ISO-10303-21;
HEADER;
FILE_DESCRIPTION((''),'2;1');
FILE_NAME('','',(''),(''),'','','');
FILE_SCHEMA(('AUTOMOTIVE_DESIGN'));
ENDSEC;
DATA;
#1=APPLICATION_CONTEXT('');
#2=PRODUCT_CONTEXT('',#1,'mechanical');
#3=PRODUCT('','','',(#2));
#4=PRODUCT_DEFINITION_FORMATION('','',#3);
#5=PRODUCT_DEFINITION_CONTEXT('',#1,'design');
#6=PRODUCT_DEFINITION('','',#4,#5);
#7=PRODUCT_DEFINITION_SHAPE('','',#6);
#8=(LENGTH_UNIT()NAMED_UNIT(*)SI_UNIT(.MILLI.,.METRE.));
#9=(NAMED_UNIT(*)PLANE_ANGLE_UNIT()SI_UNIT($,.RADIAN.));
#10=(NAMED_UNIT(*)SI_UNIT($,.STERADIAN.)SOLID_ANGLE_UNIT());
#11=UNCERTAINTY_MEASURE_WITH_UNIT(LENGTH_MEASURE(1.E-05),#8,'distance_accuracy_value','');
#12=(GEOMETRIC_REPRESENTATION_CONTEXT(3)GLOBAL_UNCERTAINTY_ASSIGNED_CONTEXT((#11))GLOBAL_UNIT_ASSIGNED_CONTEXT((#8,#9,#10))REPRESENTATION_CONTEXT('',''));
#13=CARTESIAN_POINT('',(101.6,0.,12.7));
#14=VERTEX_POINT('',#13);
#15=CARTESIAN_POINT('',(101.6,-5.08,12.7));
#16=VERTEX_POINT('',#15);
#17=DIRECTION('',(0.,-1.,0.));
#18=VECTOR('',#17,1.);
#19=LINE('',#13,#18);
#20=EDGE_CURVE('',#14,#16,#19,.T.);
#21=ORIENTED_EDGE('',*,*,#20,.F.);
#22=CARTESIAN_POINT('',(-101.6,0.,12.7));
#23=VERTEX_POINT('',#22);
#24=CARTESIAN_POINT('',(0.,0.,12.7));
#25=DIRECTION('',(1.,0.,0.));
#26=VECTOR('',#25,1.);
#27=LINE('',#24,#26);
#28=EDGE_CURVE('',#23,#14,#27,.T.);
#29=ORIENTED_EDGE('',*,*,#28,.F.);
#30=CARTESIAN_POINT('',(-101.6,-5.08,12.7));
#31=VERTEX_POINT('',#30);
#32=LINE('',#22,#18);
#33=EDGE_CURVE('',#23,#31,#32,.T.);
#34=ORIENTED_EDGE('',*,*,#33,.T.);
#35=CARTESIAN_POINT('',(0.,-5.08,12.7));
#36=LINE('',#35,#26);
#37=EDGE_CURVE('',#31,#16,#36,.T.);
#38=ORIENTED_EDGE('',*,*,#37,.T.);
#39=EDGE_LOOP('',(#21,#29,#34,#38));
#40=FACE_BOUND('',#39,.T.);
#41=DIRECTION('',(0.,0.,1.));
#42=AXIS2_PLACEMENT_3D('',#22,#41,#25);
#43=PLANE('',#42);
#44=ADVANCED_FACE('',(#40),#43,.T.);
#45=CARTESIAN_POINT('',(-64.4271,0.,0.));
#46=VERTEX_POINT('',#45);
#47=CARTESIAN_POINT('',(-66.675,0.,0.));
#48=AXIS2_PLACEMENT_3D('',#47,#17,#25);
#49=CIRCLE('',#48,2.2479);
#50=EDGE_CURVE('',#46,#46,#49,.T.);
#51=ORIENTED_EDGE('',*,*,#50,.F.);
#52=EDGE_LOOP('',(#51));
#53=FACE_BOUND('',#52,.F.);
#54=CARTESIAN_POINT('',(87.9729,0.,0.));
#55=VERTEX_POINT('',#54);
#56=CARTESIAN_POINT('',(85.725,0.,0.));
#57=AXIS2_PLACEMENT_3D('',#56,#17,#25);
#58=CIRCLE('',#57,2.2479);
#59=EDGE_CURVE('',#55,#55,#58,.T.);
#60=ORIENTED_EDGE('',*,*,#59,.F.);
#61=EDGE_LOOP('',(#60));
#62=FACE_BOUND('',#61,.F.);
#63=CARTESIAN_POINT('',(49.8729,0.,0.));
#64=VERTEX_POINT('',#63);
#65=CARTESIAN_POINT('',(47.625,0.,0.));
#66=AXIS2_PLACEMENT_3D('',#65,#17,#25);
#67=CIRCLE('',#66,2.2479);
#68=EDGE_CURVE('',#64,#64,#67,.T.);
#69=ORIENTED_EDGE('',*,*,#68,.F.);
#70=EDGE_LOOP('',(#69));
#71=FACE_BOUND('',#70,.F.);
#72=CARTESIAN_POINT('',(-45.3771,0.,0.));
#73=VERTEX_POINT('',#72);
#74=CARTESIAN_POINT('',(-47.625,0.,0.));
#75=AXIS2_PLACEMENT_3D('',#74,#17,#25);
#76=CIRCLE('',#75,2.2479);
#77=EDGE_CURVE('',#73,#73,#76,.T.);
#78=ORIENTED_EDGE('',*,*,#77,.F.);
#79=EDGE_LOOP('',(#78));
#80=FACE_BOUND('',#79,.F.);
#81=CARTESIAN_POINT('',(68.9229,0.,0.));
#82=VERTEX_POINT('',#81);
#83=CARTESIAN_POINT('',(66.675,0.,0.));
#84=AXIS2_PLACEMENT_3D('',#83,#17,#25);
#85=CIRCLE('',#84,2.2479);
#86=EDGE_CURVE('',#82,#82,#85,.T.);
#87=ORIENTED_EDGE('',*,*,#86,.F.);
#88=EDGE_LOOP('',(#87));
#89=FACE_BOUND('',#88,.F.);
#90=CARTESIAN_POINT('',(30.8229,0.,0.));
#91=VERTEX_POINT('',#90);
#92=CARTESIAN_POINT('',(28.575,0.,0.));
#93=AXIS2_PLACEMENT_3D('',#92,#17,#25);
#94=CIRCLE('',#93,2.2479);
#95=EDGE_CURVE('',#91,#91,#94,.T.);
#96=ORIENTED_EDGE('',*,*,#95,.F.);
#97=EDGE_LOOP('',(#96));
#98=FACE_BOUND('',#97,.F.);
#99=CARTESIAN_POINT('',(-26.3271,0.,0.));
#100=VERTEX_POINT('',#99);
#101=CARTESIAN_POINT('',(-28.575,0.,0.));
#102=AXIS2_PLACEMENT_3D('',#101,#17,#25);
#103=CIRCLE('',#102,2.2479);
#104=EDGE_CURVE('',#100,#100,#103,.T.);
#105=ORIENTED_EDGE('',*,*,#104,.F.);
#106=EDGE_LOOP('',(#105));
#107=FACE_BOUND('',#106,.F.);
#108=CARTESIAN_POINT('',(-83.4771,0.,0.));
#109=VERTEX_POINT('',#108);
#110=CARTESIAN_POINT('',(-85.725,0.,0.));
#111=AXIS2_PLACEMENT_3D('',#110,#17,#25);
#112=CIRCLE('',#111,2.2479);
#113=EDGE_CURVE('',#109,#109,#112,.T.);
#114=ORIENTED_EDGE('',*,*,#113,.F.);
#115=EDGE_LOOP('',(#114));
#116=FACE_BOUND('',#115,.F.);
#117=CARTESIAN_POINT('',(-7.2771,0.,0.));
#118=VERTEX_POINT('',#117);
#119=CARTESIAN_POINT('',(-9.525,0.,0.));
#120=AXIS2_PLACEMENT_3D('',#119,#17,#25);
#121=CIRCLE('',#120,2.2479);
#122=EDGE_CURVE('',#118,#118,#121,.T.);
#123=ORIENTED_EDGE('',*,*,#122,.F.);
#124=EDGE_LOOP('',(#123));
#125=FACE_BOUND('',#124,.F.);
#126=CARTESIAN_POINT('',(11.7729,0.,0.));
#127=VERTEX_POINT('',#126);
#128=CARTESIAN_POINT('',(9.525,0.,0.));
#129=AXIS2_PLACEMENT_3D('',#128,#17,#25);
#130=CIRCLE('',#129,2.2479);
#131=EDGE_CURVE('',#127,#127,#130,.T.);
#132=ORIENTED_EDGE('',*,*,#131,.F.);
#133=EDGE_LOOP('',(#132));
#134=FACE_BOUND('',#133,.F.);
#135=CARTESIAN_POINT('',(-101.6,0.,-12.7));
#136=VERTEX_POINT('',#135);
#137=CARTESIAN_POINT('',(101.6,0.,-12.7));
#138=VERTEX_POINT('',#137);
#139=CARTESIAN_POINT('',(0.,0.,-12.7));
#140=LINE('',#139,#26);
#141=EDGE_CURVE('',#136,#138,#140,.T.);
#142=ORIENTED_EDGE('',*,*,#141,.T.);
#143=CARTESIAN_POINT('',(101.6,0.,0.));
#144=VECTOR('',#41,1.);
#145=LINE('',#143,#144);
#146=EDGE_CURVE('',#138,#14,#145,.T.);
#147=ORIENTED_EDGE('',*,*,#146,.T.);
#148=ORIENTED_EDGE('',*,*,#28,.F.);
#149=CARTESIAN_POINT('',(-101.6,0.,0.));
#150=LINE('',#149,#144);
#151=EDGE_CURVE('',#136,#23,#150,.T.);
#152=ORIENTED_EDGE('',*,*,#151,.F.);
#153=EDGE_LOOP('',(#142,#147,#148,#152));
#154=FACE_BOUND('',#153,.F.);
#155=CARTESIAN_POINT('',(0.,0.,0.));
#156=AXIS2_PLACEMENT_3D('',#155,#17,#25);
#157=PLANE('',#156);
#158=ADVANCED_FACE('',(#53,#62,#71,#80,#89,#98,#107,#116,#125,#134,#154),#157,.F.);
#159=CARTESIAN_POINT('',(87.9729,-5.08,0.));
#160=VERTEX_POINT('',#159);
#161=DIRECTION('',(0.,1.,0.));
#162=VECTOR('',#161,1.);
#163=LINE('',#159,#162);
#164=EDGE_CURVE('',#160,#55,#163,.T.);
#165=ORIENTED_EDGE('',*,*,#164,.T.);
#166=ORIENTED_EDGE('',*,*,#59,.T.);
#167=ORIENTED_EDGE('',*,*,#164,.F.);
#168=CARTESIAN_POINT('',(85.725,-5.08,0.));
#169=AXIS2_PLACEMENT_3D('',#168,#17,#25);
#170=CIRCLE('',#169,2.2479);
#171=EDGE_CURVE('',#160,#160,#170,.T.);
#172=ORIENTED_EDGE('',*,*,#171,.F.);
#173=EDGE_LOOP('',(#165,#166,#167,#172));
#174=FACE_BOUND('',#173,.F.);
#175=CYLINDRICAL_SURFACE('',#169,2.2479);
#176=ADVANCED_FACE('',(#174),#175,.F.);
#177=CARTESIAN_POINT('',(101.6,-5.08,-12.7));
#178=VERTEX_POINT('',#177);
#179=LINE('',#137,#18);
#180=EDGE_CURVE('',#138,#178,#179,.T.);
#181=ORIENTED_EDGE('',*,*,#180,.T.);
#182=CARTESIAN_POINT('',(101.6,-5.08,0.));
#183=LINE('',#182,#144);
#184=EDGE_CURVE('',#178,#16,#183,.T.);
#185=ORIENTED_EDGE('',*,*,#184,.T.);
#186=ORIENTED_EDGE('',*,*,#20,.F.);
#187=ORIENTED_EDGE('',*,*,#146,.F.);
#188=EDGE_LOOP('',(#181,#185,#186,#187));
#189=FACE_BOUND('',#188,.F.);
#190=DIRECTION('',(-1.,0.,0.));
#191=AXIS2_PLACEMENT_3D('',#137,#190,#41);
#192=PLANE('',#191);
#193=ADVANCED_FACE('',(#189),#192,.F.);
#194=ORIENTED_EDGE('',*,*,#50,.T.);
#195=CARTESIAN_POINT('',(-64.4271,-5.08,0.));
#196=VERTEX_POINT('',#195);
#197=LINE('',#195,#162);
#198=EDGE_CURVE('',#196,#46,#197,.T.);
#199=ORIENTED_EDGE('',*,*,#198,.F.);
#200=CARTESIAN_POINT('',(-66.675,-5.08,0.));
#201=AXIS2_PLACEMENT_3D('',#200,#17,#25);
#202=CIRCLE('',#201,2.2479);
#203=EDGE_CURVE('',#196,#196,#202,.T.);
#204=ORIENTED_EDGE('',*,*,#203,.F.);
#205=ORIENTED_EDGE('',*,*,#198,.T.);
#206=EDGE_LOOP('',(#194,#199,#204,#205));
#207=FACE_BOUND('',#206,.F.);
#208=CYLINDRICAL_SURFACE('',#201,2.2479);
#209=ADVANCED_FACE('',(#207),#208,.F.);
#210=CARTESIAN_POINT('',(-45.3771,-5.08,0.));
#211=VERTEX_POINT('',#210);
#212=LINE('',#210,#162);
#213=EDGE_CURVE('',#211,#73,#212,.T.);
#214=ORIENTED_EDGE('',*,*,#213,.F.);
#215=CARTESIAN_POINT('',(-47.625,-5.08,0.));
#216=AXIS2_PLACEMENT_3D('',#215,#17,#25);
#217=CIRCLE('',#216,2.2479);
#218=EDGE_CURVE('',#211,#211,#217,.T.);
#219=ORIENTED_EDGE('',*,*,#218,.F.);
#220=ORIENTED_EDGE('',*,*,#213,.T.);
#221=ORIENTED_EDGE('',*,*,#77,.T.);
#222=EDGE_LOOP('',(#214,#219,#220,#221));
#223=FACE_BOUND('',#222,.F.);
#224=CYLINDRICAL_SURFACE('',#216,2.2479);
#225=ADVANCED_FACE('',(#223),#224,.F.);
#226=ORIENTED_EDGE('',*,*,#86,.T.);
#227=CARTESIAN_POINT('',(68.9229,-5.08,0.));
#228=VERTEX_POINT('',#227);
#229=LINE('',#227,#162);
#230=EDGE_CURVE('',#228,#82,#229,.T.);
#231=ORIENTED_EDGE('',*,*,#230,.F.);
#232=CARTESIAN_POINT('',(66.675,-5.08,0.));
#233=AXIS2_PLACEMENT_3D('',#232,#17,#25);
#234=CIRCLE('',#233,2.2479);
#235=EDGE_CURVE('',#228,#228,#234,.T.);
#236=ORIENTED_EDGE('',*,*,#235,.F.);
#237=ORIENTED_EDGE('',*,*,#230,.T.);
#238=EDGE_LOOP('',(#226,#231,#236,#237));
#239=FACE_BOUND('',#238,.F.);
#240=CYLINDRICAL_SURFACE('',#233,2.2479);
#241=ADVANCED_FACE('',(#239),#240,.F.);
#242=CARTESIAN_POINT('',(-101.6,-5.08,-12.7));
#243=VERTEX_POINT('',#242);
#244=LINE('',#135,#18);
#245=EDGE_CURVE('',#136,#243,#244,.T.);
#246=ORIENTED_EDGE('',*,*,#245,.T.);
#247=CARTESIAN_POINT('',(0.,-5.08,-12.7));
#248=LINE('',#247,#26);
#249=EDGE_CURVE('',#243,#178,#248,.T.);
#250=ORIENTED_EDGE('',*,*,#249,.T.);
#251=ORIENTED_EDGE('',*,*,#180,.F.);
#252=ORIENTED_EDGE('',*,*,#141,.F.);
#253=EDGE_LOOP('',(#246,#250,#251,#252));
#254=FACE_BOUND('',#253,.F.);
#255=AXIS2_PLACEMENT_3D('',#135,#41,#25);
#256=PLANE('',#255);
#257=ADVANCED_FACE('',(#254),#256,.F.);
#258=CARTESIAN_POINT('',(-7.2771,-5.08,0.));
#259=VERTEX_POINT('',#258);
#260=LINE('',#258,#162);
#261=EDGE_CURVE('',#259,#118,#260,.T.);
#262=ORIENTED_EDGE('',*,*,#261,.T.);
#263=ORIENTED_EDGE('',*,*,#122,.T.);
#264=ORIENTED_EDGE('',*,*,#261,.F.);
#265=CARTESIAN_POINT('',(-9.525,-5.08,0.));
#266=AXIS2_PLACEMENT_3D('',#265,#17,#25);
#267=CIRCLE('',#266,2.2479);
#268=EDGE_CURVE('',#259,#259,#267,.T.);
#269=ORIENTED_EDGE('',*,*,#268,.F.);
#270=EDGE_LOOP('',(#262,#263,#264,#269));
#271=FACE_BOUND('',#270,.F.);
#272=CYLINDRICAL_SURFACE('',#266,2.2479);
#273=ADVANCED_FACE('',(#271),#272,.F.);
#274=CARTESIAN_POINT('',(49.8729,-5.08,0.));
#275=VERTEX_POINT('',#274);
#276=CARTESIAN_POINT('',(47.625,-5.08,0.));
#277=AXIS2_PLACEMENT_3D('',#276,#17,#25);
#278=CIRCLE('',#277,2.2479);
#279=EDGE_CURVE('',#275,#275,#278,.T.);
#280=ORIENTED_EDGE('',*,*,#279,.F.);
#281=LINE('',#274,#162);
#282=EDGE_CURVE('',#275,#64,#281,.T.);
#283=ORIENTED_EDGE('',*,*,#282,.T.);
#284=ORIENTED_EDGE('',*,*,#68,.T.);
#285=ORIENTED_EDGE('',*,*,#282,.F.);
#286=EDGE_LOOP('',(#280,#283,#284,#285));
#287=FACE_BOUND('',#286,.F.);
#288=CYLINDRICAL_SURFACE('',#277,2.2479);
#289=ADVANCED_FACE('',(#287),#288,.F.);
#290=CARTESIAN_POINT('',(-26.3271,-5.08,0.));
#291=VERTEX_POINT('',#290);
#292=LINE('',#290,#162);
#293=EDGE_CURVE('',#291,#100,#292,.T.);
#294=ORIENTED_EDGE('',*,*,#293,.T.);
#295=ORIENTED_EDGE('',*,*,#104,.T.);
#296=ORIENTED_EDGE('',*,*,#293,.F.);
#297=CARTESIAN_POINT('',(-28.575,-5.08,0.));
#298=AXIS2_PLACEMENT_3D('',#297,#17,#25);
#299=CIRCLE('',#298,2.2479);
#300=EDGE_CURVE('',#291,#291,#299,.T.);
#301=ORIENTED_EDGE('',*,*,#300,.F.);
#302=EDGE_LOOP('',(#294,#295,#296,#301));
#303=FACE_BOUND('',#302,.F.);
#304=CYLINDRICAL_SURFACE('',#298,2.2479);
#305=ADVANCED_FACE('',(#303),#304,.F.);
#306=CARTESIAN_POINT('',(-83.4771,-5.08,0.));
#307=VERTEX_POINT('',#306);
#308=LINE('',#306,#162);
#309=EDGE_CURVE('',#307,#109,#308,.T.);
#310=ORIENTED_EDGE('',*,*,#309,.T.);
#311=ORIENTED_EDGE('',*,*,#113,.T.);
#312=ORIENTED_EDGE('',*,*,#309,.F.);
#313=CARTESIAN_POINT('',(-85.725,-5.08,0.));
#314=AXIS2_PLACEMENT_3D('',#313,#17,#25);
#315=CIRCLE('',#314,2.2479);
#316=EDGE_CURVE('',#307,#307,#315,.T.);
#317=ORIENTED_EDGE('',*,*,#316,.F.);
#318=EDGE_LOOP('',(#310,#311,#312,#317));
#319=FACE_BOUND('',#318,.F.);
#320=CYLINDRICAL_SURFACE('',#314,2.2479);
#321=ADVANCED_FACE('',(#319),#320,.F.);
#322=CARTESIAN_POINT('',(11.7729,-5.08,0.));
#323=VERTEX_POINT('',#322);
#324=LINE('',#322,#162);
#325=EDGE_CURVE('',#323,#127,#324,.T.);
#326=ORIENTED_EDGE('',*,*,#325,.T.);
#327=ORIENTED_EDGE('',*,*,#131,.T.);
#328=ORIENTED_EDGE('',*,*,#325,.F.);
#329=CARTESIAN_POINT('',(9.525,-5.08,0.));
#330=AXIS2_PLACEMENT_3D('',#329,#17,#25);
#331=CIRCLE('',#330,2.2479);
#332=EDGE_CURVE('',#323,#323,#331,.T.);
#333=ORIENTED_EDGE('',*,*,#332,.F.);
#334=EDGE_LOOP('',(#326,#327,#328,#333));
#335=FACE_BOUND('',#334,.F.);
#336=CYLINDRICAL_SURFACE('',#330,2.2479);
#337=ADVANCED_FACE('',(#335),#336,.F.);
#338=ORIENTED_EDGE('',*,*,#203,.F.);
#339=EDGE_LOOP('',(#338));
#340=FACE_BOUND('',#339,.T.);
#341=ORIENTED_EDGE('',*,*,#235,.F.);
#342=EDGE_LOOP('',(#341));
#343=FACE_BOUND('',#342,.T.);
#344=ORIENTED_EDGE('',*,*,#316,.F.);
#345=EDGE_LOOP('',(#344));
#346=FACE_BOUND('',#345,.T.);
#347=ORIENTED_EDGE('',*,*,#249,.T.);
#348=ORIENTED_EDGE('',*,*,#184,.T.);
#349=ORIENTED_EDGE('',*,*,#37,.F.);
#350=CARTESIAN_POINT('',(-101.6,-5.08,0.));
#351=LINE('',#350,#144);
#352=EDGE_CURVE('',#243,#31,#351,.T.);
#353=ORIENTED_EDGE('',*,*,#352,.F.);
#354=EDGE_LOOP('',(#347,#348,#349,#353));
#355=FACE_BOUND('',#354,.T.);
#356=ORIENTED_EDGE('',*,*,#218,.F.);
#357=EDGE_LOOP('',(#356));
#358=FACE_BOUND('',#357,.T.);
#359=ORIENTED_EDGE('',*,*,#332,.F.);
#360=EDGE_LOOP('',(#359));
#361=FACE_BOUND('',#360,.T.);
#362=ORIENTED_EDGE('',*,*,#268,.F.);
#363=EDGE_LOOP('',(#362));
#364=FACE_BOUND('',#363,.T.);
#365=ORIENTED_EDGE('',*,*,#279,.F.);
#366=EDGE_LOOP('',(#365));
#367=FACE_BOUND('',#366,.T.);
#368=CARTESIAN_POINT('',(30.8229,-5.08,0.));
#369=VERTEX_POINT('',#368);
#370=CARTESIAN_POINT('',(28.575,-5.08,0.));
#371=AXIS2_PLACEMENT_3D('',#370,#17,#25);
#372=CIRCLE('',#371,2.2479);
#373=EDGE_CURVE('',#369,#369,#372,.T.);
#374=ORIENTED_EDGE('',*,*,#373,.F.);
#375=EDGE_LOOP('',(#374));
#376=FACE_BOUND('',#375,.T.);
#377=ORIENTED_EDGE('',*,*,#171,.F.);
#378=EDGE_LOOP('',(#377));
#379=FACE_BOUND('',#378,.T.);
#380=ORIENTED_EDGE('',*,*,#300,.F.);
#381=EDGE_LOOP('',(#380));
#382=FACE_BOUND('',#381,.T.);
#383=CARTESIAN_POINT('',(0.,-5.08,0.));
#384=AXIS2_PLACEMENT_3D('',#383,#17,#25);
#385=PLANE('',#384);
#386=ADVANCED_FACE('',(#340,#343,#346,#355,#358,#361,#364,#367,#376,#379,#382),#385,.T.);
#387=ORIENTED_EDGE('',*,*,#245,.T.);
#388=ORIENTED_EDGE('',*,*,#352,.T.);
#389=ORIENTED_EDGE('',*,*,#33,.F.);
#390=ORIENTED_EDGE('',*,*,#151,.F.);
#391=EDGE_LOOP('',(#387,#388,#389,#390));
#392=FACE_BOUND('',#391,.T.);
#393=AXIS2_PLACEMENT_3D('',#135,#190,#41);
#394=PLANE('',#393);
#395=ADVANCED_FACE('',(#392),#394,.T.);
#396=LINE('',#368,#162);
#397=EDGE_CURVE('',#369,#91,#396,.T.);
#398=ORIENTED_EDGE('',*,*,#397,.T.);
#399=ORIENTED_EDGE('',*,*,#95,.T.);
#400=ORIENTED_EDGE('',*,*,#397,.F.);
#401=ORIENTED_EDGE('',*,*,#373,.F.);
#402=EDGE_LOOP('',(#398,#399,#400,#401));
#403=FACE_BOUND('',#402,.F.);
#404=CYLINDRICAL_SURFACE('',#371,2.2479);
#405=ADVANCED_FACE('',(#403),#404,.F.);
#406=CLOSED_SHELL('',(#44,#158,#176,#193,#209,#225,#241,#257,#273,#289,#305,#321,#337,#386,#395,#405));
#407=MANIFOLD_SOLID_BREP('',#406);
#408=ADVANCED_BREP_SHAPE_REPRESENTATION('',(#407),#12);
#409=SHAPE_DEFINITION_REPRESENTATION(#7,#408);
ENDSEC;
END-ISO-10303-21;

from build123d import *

# Parameters (mm, degrees)
F0_W     = 203.2
F0_H     = 25.4
F1_DEPTH = 5.08
F2_R     = 2.2479
F3_DEPTH = 25.4


with BuildPart() as f1:
    # F0 (on Front) → F1 (new body)
    with BuildSketch(Plane.XZ):
        Rectangle(F0_W, F0_H)
    extrude(amount=F1_DEPTH)

    # F2 (on face) → F3 (cut)
    with BuildSketch(Plane.XZ.offset(5.08)):
        with Locations((-85.725, 0)):
            Circle(F2_R)
        with Locations((-66.675, 0)):
            Circle(F2_R)
        with Locations((-47.625, 0)):
            Circle(F2_R)
        with Locations((-28.575, 0)):
            Circle(F2_R)
        with Locations((-9.525, 0)):
            Circle(F2_R)
        with Locations((9.525, 0)):
            Circle(F2_R)
        with Locations((28.575, 0)):
            Circle(F2_R)
        with Locations((47.625, 0)):
            Circle(F2_R)
        with Locations((66.675, 0)):
            Circle(F2_R)
        with Locations((85.725, 0)):
            Circle(F2_R)
    extrude(amount=-F3_DEPTH, mode=Mode.SUBTRACT)


solid = f1.part
